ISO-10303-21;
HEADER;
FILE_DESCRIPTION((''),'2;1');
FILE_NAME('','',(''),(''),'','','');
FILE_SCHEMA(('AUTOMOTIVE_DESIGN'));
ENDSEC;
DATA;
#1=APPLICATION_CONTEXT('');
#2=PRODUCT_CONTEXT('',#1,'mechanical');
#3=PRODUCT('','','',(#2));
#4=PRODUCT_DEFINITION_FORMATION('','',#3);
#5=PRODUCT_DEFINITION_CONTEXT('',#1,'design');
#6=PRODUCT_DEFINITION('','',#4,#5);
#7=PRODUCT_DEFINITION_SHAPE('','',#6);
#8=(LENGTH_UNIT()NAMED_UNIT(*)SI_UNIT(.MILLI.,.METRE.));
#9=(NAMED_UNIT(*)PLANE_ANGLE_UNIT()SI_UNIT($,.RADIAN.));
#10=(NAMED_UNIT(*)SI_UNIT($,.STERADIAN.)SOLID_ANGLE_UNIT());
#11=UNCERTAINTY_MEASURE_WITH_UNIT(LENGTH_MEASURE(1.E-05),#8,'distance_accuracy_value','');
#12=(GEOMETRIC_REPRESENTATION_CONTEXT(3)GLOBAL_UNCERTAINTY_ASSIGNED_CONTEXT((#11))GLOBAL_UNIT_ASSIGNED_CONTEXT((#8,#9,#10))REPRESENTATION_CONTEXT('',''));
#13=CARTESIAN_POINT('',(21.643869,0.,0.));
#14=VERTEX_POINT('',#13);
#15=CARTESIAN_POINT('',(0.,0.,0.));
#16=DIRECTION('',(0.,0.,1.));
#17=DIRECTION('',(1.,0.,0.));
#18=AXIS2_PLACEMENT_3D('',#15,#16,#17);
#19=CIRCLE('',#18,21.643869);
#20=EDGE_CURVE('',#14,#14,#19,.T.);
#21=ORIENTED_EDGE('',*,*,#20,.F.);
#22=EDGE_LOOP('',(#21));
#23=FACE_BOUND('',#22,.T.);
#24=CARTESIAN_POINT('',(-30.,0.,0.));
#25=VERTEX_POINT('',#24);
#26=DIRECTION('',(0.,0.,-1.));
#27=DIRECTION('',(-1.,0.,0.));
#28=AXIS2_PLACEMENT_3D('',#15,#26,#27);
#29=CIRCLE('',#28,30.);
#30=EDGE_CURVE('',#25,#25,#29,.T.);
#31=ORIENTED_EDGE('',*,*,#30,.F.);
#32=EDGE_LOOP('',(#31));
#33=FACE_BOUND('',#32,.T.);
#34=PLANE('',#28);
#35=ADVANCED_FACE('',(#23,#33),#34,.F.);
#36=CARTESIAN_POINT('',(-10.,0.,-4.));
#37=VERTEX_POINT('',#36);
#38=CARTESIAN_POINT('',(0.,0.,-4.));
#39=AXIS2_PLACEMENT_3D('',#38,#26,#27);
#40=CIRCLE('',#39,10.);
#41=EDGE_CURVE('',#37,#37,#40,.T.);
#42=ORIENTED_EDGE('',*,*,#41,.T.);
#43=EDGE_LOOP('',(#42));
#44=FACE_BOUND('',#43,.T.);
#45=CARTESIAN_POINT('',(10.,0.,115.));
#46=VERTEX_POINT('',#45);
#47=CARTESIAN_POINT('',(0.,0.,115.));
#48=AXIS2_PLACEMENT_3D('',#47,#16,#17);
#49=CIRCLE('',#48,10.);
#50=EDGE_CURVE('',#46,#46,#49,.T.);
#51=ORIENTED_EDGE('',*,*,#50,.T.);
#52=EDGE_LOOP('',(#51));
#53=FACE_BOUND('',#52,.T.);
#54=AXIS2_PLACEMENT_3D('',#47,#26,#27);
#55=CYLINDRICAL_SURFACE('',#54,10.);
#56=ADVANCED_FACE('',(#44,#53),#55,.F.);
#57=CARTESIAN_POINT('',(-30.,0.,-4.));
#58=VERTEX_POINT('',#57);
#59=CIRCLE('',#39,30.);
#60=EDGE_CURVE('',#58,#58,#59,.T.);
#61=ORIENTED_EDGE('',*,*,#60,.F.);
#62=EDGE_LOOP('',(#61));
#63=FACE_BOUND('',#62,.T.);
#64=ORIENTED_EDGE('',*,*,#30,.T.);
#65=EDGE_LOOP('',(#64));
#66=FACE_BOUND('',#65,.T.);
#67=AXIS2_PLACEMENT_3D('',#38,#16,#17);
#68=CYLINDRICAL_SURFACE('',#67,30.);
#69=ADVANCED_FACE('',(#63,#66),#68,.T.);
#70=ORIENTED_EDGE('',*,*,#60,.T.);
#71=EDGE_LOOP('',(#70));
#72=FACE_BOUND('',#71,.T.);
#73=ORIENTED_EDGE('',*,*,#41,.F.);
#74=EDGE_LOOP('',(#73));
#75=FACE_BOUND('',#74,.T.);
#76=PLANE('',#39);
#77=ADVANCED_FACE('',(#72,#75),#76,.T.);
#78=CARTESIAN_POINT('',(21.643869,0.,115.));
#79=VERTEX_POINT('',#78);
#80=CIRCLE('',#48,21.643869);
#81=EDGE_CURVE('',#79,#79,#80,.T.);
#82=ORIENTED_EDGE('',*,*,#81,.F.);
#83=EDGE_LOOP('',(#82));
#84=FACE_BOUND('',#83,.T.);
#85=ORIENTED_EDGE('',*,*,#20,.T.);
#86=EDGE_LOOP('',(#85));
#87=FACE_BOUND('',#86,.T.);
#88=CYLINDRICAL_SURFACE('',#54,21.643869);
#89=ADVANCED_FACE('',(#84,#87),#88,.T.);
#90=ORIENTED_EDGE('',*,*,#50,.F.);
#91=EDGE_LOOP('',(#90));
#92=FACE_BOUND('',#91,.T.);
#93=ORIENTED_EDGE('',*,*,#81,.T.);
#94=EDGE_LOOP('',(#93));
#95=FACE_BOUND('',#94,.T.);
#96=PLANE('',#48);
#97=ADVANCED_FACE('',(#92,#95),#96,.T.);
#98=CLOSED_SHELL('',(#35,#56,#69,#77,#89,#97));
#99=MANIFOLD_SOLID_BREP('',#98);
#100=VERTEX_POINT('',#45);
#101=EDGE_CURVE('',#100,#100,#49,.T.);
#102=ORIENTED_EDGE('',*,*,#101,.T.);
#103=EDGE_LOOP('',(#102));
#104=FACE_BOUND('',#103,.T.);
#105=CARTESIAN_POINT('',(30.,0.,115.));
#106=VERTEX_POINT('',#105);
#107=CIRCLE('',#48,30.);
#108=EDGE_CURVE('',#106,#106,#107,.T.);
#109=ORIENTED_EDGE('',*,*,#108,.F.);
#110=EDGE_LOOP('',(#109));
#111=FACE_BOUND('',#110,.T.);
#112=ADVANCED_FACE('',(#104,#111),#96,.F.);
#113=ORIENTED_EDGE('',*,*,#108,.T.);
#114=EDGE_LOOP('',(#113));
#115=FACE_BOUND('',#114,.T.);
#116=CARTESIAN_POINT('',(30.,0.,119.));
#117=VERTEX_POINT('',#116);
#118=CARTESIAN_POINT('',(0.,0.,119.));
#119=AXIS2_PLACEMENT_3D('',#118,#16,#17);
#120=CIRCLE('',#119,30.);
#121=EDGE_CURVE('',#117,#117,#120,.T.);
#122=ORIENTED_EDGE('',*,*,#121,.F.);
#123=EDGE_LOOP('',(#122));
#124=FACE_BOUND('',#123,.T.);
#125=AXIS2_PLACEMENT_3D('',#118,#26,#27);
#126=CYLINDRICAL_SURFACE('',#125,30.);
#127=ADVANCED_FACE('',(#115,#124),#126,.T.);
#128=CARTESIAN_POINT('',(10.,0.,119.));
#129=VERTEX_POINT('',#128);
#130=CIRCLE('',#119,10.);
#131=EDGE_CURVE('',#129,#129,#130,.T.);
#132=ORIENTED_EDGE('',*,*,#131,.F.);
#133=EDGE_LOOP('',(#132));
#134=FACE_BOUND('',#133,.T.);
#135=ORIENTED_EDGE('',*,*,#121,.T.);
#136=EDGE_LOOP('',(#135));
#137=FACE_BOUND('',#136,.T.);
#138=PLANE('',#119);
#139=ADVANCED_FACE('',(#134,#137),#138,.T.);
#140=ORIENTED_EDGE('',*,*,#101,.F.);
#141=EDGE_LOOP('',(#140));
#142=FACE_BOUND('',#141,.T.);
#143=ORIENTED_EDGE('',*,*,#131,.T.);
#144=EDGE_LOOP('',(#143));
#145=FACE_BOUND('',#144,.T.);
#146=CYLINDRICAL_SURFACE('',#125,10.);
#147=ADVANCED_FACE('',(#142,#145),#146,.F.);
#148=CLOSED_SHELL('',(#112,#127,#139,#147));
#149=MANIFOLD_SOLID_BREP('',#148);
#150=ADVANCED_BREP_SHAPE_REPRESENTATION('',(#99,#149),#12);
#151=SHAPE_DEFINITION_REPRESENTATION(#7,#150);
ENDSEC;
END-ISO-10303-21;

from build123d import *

# Parameters (mm, degrees)
SKETCH1_R           = 21.643869335
SKETCH1_R_2         = 10
BOSS_EXTRUDE1_DEPTH = 115
SKETCH2_R           = 30
SKETCH2_R_2         = 10
BOSS_EXTRUDE2_DEPTH = 4
SKETCH3_R           = 30
SKETCH3_R_2         = 10
BOSS_EXTRUDE3_DEPTH = 4


with BuildPart() as part:
    # Sketch1 → Boss-Extrude1 (new body)
    with BuildSketch(Plane.XY):
        Circle(SKETCH1_R)
        Circle(SKETCH1_R_2, mode=Mode.SUBTRACT)
    extrude(amount=BOSS_EXTRUDE1_DEPTH)

    # Sketch3 → Boss-Extrude3 (add)
    with BuildSketch(Plane(origin=(0, 0, 0), x_dir=(-1, 0, 0), z_dir=(0, 0, -1))):
        Circle(SKETCH3_R)
        Circle(SKETCH3_R_2, mode=Mode.SUBTRACT)
    extrude(amount=BOSS_EXTRUDE3_DEPTH)


with BuildPart() as body_2:
    # Sketch2 → Boss-Extrude2 (new body)
    with BuildSketch(Plane.XY.offset(115)):
        Circle(SKETCH2_R)
        Circle(SKETCH2_R_2, mode=Mode.SUBTRACT)
    extrude(amount=BOSS_EXTRUDE2_DEPTH)


solid = Compound([part.part, body_2.part])
